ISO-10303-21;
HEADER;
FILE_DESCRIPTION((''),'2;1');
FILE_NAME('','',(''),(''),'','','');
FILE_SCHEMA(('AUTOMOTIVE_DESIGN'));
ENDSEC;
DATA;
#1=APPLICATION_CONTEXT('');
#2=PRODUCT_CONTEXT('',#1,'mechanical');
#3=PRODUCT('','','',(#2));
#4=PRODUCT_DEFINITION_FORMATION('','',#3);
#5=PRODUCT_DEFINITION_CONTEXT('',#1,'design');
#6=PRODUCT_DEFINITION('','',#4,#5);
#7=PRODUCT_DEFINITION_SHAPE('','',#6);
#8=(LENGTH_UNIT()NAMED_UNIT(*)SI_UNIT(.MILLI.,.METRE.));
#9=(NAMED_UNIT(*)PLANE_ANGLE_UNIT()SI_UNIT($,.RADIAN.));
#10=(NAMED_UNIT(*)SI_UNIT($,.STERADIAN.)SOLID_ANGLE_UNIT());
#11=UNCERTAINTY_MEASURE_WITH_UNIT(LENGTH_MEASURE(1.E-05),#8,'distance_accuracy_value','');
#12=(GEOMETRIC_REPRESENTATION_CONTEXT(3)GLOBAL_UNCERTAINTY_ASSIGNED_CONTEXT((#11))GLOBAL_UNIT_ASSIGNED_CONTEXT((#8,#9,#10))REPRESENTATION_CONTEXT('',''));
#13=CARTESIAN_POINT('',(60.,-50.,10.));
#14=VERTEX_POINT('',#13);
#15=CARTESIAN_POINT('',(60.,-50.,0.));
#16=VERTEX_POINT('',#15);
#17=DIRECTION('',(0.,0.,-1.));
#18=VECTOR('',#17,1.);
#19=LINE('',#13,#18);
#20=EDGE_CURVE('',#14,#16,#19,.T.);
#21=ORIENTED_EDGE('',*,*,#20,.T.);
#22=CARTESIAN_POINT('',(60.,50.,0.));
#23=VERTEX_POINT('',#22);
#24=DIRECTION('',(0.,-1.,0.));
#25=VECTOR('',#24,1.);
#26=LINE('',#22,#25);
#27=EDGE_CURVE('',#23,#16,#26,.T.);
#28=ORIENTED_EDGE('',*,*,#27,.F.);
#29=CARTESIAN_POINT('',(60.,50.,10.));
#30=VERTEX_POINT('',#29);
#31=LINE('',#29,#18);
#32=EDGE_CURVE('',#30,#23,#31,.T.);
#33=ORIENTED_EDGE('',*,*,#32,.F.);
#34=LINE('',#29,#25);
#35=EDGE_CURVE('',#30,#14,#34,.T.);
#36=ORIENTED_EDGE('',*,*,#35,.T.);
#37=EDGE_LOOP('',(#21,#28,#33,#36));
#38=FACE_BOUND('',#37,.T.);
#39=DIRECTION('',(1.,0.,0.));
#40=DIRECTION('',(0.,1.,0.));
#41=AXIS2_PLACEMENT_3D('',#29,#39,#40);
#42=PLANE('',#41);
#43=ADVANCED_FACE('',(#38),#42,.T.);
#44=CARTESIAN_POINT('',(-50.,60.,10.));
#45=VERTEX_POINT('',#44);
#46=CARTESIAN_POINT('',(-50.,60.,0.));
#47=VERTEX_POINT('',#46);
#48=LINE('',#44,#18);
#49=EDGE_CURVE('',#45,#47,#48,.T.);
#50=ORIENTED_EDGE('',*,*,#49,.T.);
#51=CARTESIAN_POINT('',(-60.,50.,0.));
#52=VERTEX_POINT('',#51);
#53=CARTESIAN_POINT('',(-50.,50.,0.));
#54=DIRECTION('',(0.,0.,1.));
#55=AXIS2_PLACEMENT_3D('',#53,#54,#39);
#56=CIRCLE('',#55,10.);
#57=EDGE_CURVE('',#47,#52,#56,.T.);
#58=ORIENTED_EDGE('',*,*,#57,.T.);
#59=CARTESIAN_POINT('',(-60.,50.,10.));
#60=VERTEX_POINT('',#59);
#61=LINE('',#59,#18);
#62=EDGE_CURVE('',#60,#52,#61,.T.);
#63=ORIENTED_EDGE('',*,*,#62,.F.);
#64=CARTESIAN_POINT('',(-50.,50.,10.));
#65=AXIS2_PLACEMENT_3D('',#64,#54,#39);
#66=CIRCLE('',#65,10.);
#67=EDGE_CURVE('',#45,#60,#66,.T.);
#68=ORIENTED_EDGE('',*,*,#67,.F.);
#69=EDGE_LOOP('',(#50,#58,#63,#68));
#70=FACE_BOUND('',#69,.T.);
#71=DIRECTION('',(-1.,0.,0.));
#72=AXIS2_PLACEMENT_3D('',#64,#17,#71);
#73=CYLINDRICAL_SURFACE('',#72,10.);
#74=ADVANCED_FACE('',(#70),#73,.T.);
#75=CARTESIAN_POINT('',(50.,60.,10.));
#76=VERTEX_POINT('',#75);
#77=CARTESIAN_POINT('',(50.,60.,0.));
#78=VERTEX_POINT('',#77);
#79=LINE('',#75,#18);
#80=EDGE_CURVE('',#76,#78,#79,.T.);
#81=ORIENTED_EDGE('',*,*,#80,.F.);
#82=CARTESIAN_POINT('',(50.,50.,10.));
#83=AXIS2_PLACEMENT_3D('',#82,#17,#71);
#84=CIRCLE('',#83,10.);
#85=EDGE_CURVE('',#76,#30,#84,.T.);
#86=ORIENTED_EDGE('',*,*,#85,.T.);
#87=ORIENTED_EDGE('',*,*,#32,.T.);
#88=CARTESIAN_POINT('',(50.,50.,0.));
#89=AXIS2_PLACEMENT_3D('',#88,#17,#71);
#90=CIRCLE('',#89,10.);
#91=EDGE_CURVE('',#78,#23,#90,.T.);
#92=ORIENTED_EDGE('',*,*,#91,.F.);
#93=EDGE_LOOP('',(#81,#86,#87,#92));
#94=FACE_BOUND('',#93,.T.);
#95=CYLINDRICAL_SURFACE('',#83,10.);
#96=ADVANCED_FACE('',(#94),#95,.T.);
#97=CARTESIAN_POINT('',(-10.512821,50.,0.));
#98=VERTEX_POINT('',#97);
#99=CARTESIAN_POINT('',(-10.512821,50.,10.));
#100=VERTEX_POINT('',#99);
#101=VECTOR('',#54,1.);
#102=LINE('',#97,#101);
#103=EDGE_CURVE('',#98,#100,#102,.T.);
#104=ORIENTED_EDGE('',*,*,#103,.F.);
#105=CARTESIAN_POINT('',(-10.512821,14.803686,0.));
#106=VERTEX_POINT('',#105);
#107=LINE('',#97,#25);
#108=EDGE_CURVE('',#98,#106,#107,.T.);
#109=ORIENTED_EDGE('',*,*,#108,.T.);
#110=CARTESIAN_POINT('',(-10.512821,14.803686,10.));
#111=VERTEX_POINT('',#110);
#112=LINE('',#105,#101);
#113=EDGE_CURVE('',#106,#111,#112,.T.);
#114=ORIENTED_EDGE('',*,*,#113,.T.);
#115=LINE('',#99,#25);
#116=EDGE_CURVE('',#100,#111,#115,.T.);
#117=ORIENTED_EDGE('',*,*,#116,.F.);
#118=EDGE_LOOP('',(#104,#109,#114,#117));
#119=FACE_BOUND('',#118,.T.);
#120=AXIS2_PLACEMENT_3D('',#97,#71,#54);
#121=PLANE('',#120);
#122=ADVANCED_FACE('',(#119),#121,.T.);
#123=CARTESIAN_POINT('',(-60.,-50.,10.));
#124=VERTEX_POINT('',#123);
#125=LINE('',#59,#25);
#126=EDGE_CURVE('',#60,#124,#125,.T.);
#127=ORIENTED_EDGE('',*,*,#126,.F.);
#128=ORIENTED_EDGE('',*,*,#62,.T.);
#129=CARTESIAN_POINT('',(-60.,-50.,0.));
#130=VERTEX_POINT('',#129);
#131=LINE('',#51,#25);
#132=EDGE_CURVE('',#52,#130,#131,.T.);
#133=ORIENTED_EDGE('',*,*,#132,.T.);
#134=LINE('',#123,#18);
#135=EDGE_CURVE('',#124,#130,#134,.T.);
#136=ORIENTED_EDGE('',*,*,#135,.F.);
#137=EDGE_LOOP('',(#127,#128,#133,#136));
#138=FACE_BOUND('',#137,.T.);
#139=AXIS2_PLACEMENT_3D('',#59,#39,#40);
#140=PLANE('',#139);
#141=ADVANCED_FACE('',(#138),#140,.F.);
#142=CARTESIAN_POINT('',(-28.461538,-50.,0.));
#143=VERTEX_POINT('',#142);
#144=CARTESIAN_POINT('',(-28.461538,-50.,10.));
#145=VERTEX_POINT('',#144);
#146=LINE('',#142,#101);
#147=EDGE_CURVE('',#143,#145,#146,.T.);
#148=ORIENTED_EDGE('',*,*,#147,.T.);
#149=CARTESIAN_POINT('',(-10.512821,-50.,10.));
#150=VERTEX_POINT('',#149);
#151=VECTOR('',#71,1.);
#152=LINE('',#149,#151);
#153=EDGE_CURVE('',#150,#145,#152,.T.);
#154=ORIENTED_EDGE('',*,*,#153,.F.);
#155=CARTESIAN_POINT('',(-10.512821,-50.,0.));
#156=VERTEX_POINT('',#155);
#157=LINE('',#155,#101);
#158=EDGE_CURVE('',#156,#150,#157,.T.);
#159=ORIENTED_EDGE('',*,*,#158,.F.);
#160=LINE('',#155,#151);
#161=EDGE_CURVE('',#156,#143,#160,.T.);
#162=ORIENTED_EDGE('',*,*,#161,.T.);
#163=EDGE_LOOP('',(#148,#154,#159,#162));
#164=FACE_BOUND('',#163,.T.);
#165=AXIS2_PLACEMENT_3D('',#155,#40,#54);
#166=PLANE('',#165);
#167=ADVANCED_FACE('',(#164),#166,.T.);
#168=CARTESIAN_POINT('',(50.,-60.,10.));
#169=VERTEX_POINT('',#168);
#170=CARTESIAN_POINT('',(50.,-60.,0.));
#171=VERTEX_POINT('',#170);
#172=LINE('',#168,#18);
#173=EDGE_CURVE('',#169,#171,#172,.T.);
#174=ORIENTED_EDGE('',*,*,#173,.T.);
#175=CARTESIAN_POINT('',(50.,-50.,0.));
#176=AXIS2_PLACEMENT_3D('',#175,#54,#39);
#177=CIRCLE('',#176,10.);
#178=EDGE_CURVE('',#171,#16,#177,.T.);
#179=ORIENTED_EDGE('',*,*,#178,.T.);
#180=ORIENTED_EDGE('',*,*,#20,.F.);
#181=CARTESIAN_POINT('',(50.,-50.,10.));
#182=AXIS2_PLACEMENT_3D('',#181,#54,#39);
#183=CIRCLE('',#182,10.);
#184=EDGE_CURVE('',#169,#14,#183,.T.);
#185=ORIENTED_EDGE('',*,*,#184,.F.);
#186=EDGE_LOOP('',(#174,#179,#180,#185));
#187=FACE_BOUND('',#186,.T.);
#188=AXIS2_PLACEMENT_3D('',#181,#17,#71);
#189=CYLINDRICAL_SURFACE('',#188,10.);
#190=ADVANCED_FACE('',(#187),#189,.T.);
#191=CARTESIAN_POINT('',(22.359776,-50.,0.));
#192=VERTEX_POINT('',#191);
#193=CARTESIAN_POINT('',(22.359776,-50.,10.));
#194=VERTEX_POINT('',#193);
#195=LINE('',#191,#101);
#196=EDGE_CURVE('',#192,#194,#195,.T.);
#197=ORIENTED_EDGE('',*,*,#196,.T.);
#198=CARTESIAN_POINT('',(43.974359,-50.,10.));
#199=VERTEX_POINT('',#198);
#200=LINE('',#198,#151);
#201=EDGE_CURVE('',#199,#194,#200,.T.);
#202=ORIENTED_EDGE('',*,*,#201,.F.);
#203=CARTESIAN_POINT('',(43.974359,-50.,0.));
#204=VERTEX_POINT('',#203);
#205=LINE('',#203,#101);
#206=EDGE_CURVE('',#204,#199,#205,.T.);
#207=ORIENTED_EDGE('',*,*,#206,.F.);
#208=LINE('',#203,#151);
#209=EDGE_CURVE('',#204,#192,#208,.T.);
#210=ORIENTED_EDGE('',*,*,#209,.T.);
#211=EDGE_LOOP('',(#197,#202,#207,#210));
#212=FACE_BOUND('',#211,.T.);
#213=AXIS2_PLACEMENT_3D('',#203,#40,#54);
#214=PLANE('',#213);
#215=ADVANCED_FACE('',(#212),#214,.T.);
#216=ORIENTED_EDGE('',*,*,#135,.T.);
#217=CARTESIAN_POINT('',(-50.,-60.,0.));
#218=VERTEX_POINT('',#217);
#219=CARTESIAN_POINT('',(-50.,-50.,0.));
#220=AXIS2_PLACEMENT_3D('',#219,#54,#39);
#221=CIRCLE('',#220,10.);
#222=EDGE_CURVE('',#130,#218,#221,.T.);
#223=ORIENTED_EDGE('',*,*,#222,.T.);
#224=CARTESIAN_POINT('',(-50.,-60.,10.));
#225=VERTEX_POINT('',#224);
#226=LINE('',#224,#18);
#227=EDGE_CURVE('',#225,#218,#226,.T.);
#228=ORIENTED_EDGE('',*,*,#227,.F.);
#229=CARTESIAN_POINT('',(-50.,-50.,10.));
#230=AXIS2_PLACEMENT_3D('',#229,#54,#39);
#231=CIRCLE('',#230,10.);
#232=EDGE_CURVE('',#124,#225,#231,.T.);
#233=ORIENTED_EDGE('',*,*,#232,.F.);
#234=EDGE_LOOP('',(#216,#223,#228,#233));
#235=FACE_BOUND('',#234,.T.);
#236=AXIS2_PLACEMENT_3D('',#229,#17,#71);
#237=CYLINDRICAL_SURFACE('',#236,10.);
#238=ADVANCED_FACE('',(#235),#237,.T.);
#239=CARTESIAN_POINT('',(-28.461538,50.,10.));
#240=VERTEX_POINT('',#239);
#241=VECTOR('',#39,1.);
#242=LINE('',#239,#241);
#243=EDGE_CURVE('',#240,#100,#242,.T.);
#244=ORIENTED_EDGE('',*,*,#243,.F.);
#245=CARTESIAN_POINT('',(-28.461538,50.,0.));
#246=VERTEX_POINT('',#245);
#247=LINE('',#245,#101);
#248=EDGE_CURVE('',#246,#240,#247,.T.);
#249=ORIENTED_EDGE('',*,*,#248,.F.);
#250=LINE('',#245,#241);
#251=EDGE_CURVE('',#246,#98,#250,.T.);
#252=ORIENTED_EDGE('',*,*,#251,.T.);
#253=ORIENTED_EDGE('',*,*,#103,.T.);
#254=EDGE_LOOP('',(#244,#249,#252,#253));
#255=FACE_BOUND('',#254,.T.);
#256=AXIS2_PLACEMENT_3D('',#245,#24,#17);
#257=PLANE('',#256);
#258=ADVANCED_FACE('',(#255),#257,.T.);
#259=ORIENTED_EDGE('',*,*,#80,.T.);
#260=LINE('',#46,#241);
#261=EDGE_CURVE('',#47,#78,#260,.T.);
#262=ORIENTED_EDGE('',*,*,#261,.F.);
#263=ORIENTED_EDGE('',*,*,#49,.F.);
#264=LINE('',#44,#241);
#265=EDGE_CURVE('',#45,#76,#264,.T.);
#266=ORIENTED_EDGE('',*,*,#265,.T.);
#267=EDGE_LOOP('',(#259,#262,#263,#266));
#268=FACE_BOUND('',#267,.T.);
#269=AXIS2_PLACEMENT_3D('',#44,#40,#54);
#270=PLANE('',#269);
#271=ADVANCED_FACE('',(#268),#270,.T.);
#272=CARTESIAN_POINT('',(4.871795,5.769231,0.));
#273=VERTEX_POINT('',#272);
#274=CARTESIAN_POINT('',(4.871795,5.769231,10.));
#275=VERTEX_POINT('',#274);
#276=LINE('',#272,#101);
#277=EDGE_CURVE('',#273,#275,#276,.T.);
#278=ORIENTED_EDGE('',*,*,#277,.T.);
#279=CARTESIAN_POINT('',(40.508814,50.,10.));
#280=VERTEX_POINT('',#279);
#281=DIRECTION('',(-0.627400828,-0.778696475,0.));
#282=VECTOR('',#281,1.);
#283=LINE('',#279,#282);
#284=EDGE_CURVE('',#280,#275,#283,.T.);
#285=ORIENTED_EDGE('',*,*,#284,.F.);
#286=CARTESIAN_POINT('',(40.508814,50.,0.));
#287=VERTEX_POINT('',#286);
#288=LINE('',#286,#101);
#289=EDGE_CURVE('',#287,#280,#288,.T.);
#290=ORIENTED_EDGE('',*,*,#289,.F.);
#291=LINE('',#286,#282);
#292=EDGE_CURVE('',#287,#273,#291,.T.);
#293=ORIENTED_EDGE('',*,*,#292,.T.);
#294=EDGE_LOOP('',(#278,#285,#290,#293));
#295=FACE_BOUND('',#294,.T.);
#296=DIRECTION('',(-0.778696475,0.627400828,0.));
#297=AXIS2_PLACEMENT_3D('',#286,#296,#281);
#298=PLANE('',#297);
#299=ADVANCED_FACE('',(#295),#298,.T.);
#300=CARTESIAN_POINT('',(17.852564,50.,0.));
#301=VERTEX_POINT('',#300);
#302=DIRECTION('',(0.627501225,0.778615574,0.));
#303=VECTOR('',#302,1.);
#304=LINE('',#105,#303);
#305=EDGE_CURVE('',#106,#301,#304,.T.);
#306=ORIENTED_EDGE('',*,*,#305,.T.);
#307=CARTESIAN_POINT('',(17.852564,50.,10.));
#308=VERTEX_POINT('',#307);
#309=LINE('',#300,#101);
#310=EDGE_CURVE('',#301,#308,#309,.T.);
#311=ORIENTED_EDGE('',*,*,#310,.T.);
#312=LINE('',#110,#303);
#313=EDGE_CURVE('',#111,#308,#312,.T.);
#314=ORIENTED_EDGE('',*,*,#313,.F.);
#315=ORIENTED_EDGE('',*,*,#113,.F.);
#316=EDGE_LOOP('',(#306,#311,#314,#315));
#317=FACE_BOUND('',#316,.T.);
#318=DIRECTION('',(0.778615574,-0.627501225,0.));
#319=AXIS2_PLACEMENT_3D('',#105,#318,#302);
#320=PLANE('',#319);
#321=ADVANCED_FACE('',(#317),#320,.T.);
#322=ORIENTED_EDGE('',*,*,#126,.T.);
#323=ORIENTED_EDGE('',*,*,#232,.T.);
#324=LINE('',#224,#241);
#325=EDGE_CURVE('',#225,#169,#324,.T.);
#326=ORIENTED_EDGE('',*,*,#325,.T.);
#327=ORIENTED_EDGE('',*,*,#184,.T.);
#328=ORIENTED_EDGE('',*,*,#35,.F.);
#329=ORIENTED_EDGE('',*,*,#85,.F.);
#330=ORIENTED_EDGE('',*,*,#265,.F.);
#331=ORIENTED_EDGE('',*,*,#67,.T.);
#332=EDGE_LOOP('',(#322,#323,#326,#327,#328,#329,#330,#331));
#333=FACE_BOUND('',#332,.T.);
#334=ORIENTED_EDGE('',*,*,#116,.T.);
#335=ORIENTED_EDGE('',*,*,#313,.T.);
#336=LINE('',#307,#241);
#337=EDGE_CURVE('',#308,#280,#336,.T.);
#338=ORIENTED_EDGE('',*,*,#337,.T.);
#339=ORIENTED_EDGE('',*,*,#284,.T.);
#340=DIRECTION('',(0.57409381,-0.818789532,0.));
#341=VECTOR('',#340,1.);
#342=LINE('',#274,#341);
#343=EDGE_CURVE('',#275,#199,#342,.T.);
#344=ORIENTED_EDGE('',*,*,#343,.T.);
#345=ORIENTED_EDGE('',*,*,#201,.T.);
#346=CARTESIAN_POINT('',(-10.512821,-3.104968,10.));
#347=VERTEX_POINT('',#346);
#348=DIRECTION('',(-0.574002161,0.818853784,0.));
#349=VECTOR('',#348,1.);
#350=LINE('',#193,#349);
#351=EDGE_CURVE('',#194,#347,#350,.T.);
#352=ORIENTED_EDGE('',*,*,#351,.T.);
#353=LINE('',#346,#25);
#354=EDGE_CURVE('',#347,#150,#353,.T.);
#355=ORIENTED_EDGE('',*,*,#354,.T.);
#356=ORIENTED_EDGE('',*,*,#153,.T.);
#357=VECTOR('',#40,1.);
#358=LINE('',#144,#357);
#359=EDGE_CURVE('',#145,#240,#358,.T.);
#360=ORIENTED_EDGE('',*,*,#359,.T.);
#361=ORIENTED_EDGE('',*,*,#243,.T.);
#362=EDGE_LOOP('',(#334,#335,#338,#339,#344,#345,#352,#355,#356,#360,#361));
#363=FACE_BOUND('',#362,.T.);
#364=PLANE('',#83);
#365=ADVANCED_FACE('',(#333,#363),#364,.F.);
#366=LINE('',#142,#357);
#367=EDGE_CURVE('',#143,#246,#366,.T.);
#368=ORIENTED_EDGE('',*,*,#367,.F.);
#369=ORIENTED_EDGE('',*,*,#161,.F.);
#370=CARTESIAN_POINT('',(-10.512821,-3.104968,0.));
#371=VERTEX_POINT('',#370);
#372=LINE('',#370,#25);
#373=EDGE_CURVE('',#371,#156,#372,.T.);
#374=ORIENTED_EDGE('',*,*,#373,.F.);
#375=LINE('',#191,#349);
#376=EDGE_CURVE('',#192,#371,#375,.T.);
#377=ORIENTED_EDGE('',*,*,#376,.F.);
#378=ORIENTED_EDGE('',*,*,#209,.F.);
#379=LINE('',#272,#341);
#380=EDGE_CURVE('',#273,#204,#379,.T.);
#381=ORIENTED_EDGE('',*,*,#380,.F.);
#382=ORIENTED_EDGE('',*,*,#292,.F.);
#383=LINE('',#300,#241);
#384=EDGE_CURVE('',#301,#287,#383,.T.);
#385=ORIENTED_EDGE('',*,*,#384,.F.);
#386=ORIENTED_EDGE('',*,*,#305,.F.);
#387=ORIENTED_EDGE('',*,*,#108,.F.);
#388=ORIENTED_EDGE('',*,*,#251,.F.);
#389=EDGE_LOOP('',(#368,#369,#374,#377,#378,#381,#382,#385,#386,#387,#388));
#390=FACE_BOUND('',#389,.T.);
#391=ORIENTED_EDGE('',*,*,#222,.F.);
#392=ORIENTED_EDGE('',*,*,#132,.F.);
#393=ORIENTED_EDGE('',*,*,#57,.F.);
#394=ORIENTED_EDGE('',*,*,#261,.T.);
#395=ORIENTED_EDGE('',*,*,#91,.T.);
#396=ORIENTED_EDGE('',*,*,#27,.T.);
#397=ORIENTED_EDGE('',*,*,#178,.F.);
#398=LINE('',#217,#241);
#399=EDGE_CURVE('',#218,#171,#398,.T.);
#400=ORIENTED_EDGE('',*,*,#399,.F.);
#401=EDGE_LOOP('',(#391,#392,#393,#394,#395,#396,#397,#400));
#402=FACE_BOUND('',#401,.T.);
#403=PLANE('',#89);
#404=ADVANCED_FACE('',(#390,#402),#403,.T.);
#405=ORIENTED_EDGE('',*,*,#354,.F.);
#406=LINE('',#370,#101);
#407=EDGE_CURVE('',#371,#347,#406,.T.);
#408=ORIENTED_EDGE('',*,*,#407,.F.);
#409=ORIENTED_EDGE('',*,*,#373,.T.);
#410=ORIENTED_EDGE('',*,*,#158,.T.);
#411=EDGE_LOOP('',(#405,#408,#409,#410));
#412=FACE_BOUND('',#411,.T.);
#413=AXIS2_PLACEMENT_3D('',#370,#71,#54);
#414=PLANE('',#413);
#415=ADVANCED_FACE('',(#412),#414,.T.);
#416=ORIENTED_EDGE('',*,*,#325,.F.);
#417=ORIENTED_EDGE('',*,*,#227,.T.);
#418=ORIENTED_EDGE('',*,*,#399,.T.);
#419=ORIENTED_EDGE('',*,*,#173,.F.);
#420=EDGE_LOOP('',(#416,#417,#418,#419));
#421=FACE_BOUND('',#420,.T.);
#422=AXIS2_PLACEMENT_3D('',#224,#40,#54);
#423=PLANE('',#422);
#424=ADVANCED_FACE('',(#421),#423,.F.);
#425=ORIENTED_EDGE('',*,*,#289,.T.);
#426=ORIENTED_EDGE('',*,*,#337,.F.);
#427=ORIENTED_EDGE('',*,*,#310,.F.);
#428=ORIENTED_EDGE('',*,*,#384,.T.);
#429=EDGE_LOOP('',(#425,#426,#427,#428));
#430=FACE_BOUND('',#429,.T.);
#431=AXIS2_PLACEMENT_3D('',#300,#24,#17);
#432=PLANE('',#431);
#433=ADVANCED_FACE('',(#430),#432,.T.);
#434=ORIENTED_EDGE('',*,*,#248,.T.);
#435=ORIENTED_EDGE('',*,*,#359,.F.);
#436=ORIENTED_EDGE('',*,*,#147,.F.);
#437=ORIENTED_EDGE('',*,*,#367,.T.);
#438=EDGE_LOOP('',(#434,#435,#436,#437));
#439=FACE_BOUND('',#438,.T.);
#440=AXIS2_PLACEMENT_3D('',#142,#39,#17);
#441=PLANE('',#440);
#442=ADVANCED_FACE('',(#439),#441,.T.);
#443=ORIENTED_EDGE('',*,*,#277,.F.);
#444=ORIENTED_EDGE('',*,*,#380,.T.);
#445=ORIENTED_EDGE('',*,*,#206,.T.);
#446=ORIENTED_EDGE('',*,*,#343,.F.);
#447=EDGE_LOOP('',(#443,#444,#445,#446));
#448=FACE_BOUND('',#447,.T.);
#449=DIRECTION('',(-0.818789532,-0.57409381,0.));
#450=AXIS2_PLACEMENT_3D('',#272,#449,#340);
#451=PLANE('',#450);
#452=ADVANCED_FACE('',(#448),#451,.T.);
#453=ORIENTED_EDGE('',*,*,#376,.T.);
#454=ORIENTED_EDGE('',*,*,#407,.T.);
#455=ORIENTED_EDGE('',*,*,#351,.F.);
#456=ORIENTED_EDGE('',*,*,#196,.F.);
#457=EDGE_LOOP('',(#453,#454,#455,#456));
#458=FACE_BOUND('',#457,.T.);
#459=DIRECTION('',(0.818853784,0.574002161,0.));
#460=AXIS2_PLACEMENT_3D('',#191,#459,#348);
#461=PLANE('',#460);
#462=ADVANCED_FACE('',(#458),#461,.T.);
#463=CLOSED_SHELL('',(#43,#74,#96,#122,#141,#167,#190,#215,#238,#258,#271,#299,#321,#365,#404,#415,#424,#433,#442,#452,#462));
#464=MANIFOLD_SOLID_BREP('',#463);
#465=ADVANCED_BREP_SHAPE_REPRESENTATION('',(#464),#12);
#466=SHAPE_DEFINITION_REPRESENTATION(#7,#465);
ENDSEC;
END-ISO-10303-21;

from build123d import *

# Parameters (mm, degrees)
BOSS_EXTRUDE1_DEPTH = 10
CUT_EXTRUDE24_DEPTH = 10


with BuildPart() as part:
    # Sketch1 → Boss-Extrude1 (new body)
    with BuildSketch(Plane.XY):
        with BuildLine():
            Line((-50, 60), (50, 60))
            ThreePointArc((50, 60), (57.071067812, 57.071067812), (60, 50))
            Line((60, 50), (60, -50))
            ThreePointArc((60, -50), (57.071067812, -57.071067812), (50, -60))
            Line((50, -60), (-50, -60))
            ThreePointArc((-50, -60), (-57.071067812, -57.071067812), (-60, -50))
            Line((-60, -50), (-60, 50))
            ThreePointArc((-60, 50), (-57.071067812, 57.071067812), (-50, 60))
        make_face()
    extrude(amount=BOSS_EXTRUDE1_DEPTH)

    # Sketch2 → Cut-Extrude24 (cut)
    with BuildSketch(Plane.XY.offset(10)):
        Polygon((-28.461538462, 50), (-10.512820513, 50), (-10.512820513, 14.803685897), (17.852564103, 50), (40.508814103, 50), (4.871794872, 5.769230769), (43.974358974, -50), (22.359775641, -50), (-10.512820513, -3.104967949), (-10.512820513, -50), (-28.461538462, -50), align=None)
    extrude(amount=-CUT_EXTRUDE24_DEPTH, mode=Mode.SUBTRACT)


solid = part.part
